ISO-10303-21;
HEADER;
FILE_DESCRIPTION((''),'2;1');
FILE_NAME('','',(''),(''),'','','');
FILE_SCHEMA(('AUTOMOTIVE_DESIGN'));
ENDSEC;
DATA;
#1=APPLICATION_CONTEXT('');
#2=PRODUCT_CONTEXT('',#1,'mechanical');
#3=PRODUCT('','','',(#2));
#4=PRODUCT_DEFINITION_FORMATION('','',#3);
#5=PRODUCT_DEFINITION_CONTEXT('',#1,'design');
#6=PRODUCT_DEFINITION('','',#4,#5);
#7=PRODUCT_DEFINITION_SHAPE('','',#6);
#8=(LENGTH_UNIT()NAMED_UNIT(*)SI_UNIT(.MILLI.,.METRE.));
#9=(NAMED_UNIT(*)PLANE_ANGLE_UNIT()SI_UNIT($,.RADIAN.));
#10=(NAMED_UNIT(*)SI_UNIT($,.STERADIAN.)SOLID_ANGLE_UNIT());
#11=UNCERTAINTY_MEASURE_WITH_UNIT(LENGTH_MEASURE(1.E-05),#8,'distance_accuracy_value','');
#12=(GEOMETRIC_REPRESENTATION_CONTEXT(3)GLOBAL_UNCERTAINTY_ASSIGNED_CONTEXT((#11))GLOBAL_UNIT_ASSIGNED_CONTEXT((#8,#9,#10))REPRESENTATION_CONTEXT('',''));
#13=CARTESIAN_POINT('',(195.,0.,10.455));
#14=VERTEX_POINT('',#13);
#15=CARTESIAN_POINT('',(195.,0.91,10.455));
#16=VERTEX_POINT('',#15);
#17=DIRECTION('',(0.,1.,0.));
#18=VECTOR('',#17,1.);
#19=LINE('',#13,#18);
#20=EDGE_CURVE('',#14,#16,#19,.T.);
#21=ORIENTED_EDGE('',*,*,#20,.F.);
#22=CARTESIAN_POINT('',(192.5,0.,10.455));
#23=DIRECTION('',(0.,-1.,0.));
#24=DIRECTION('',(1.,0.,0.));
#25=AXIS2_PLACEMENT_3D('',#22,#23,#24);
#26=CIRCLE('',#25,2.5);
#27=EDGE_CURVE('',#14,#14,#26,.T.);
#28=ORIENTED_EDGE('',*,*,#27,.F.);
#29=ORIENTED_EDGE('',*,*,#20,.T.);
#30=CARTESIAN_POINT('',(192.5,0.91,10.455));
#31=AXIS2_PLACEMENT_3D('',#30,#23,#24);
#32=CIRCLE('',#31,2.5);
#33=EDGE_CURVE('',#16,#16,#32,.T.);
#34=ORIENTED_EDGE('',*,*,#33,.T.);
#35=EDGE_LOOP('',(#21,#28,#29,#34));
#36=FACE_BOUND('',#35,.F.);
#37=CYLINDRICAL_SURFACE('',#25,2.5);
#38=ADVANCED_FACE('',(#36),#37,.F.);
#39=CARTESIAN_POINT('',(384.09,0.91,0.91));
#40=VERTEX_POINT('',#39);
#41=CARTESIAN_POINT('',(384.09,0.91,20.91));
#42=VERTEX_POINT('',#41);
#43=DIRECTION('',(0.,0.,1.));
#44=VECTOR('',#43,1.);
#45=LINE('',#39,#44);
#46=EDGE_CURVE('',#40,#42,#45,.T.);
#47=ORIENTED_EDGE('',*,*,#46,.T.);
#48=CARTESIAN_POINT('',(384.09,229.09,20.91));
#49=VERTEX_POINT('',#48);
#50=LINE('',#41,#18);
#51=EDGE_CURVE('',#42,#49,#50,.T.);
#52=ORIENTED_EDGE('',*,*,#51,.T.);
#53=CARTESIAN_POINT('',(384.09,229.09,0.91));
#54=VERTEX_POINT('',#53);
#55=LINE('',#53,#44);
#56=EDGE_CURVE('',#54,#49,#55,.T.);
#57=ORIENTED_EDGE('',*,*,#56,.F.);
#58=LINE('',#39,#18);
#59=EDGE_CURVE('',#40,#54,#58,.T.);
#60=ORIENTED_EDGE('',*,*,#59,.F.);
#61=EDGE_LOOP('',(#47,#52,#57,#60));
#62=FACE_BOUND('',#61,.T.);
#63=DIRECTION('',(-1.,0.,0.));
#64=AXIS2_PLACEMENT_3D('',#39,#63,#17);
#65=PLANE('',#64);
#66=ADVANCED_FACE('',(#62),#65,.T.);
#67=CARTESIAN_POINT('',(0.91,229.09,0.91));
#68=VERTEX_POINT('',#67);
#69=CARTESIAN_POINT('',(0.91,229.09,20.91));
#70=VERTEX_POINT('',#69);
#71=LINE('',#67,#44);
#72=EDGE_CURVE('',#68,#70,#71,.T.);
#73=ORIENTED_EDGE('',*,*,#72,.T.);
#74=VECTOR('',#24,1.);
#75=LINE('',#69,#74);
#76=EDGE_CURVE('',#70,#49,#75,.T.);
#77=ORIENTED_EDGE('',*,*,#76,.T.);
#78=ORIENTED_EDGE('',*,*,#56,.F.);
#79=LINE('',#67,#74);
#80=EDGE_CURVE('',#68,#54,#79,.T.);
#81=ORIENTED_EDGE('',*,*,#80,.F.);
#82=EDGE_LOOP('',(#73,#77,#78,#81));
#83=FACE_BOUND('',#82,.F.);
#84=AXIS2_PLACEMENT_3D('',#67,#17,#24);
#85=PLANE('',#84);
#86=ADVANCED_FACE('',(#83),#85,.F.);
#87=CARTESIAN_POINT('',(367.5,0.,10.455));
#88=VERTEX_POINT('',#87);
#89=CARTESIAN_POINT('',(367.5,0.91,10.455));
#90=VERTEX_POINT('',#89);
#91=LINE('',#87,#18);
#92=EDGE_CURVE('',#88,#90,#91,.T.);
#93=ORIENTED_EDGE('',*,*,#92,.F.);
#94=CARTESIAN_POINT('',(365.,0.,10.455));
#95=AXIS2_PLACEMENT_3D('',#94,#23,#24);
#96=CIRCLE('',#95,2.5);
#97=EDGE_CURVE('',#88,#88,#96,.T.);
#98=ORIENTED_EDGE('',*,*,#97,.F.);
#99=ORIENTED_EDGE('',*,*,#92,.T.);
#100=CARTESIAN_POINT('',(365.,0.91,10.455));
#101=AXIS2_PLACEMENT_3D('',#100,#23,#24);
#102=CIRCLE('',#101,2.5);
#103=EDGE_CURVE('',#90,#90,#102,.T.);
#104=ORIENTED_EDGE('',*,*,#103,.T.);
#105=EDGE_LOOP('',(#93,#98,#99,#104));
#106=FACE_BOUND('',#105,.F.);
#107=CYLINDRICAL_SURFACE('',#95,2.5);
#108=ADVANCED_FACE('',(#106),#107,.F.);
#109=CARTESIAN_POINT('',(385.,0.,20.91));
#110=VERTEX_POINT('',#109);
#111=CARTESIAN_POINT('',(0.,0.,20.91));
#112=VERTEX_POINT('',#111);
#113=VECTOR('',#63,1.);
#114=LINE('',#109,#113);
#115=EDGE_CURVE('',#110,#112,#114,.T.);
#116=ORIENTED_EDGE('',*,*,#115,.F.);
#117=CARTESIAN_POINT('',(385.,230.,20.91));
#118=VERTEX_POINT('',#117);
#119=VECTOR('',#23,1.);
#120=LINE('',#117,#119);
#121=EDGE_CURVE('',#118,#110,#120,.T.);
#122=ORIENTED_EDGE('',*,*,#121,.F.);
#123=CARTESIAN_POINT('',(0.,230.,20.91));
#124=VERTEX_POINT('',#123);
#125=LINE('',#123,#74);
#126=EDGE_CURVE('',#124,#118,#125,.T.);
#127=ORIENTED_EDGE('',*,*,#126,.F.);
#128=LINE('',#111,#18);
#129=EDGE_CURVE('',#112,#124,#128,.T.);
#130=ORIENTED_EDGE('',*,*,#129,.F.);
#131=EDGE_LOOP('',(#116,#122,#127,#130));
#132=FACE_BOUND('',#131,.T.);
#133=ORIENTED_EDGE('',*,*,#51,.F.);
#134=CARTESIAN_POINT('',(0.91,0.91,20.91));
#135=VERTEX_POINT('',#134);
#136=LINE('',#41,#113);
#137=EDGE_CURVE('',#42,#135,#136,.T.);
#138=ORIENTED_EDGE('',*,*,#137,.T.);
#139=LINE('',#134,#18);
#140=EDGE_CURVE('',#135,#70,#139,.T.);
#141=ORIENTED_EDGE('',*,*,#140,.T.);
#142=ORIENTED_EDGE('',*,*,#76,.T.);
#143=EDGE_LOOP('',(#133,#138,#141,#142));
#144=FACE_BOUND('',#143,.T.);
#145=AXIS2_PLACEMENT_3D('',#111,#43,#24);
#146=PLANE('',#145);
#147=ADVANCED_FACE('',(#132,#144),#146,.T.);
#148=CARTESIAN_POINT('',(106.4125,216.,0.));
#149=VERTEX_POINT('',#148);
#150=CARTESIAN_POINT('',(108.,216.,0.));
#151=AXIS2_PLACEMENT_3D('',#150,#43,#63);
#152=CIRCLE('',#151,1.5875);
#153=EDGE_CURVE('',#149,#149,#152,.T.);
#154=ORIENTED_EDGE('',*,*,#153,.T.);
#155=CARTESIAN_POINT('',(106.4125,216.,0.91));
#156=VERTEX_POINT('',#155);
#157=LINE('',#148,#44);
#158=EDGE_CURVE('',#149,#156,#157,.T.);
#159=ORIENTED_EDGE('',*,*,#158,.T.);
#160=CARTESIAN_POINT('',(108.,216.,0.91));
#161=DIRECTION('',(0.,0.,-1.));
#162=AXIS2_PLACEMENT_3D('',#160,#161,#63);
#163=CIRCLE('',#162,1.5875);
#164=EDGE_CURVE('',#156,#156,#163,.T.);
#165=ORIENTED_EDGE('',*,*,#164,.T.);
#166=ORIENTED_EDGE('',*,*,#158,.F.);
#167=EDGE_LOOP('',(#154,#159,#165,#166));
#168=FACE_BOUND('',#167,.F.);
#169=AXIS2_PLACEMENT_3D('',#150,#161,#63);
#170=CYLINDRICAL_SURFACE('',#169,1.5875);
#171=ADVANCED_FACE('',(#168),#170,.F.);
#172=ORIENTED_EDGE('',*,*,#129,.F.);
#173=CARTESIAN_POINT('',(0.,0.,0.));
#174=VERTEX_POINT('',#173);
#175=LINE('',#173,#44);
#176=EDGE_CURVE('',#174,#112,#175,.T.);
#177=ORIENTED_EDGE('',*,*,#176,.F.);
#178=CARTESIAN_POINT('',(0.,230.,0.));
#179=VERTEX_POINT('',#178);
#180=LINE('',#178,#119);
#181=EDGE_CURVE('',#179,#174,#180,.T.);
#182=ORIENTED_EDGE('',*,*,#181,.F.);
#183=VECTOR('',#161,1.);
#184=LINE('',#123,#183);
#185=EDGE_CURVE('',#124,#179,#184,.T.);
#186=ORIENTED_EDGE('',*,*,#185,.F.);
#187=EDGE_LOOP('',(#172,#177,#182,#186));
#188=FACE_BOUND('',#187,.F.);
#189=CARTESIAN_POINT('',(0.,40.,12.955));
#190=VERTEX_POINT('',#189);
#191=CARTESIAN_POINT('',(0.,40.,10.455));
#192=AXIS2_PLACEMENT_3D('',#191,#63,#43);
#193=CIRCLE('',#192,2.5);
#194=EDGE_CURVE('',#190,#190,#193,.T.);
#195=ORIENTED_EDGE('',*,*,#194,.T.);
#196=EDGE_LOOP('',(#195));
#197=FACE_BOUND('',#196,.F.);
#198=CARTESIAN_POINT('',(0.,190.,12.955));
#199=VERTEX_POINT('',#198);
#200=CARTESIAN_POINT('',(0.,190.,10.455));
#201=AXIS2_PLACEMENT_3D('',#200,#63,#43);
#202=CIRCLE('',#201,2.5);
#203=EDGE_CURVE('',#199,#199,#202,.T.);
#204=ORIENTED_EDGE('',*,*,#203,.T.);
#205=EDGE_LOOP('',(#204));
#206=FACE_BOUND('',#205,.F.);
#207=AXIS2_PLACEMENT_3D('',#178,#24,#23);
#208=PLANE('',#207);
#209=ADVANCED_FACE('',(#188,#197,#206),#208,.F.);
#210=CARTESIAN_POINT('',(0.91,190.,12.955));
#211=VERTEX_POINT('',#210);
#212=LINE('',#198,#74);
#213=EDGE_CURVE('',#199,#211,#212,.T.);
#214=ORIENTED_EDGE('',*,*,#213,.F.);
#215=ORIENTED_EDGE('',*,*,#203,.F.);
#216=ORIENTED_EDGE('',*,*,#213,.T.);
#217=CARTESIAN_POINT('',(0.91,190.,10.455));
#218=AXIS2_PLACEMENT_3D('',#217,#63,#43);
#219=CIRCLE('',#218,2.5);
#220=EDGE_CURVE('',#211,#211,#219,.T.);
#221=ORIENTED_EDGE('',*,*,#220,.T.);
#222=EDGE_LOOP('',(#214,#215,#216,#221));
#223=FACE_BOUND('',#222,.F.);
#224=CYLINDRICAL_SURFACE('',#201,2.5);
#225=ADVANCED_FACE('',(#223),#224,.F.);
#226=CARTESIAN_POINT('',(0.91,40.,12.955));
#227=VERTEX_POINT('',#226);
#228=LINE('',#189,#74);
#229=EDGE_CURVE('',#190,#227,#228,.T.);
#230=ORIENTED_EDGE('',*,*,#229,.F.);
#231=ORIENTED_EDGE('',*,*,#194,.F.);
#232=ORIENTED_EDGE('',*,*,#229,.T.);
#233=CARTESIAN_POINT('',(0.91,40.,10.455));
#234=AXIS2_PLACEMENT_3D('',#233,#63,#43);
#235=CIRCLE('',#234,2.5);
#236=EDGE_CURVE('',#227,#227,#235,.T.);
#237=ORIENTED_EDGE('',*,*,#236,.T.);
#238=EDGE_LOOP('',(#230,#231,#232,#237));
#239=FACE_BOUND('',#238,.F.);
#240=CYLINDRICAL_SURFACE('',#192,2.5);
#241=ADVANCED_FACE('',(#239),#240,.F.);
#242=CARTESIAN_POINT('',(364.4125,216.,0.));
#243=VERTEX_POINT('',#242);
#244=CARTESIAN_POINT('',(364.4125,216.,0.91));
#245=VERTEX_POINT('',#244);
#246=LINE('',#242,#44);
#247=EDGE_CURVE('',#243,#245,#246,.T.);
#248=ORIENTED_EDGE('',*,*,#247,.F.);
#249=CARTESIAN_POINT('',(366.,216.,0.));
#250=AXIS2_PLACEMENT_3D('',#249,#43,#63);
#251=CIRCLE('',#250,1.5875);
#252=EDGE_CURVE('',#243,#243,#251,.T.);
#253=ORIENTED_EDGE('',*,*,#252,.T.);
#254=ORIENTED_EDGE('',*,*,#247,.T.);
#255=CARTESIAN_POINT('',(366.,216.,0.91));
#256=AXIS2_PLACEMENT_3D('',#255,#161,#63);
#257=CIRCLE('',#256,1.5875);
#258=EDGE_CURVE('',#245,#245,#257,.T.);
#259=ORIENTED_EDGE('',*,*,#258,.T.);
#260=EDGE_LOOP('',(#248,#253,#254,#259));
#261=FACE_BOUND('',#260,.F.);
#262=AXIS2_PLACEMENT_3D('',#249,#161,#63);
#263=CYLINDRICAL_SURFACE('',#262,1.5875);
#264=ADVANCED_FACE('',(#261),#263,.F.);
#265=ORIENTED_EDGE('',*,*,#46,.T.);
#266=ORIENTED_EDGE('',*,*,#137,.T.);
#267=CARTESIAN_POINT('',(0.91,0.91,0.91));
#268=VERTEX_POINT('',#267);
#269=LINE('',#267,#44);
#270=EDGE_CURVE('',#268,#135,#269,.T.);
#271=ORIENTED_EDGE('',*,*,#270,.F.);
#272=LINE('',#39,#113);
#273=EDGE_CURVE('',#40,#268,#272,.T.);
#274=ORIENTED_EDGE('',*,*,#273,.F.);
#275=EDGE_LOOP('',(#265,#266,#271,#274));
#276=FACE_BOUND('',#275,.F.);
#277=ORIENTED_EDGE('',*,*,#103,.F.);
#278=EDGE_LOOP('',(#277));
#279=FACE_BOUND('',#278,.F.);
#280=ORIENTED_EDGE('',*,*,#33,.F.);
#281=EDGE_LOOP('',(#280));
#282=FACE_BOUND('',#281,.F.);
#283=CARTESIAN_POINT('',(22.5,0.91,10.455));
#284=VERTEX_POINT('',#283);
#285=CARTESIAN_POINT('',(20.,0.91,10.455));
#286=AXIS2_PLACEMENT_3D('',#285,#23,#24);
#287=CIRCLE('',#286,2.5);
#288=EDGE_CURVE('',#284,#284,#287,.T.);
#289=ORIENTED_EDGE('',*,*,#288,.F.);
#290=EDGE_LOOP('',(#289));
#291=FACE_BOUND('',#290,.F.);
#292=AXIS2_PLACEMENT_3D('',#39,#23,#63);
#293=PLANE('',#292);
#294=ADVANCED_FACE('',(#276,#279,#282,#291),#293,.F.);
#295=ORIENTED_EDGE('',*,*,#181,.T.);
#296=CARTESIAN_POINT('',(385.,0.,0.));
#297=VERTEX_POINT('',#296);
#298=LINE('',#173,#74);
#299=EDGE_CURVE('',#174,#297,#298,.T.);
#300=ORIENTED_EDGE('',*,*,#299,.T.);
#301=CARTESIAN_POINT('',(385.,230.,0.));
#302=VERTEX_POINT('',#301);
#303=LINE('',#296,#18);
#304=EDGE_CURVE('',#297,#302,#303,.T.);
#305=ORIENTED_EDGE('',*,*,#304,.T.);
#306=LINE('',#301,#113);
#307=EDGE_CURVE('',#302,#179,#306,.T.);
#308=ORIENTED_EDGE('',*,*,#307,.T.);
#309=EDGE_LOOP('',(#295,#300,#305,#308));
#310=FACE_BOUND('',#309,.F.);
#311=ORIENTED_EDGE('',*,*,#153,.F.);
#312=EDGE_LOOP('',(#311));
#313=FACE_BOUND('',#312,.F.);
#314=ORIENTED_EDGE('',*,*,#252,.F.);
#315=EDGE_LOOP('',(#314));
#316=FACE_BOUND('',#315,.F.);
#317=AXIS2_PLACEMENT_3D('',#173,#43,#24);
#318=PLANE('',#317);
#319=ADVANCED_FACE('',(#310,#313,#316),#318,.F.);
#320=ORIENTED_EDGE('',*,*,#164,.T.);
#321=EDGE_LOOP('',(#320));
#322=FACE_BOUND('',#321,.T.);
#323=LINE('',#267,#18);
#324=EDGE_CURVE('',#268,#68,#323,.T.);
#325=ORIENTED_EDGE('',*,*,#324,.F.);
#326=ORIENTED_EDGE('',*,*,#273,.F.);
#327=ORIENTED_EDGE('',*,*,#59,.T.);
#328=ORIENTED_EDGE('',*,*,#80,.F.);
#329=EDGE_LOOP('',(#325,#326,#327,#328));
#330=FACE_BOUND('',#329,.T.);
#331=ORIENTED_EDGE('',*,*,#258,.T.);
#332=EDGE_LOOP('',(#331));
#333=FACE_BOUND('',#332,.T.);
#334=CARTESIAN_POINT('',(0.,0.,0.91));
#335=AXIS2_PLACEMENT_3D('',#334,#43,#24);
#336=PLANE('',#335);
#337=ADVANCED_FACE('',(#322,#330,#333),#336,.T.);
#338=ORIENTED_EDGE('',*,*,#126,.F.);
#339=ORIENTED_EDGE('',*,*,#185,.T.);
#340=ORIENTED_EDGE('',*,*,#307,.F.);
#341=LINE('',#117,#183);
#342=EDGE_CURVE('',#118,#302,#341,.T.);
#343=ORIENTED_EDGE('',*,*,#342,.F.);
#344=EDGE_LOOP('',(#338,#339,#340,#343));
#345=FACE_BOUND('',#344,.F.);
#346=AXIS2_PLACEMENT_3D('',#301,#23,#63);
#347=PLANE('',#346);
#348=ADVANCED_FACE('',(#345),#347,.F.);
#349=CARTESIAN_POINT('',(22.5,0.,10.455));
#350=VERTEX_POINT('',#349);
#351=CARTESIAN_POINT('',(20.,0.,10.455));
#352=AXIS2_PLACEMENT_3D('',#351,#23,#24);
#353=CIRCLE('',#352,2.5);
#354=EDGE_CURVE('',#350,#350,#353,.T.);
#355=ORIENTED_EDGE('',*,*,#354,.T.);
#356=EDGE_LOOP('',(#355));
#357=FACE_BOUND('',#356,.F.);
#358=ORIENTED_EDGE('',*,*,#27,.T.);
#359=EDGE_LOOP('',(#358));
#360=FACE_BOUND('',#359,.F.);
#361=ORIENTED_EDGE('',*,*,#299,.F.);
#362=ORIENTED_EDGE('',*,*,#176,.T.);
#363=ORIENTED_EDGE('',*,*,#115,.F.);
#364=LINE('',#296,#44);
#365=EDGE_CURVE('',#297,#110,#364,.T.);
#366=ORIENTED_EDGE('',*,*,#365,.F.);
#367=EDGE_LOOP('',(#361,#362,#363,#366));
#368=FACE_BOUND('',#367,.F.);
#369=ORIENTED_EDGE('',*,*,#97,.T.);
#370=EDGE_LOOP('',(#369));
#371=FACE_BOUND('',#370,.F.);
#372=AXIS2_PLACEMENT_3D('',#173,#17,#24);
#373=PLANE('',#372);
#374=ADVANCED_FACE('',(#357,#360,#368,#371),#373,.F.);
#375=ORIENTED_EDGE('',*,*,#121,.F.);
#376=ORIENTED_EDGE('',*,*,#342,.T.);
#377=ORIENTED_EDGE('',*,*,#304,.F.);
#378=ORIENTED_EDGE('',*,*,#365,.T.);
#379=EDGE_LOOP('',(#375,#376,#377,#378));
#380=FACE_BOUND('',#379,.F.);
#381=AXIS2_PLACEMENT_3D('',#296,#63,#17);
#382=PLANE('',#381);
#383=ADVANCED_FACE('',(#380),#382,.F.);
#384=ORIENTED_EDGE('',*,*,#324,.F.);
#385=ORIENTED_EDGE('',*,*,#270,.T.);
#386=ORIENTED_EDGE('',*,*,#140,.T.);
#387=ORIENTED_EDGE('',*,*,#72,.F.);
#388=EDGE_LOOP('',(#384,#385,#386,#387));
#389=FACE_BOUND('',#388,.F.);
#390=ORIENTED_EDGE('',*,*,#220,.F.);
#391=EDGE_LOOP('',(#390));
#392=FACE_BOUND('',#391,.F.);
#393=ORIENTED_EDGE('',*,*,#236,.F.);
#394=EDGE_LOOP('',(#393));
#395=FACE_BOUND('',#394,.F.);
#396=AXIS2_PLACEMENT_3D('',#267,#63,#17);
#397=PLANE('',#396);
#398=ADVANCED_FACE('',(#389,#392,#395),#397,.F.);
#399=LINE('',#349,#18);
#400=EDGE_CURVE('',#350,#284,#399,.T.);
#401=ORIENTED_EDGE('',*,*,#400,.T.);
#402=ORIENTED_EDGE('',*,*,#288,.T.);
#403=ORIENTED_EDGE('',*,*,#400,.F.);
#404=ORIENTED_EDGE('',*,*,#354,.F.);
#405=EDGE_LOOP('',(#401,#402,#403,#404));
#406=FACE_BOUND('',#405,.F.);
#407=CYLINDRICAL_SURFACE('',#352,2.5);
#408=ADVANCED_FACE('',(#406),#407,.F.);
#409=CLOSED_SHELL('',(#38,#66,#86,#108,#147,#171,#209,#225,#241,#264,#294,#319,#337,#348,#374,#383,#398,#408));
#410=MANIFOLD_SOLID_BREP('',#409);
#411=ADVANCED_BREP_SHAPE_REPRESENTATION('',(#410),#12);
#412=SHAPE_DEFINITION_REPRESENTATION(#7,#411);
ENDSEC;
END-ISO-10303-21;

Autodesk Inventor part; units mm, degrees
ref_plane "YZ Plane" through (0, 0, 0) normal (1, 0, 0) x (0, 1, 0)
sketch "Boceto1" plane through (0, 0, 0) normal (0, 0, 1) x (1, 0, 0)
  line L0 (0, 0) -> (385, 0)
  line L1 (385, 0) -> (385, 230)
  line L2 (385, 230) -> (0, 230)
  line L3 (0, 230) -> (0, 0)
  dimension "d0" = 385
  dimension "d1" = 230
extrude "Extrusión1" add sketch "Boceto1" along normal blind 0.91
sketch "Boceto2" plane through (0, 0, 0.91) normal (0, 0, 1) x (1, 0, 0)
  line L0 (385, 230) -> (0, 230) projected
  line L1 (0, 0) -> (0.76, 0)
  line L2 (0.91, 0.91) -> (0.91, 229.09)
  line L3 (0.91, 230) -> (0, 230)
  line L4 (0, 230) -> (0, 0)
  line L5 (0, 230) -> (0, 0) projected
  line L6 (385, 0) -> (385, 230) projected
  line L7 (0, 0) -> (385, 0)
  line L8 (385, 0) -> (385, 0.91)
  line L9 (384.09, 0.91) -> (0.91, 0.91)
  line L10 (0, 0.76) -> (0, 0)
  line L11 (0, 0) -> (385, 0) projected
  line L12 (385, 0) -> (384.24, 0)
  line L13 (384.09, 0.91) -> (384.09, 229.09)
  line L14 (384.09, 230) -> (385, 230)
  line L15 (385, 230) -> (385, 0)
  line L16 (385, 230) -> (0, 230)
  line L17 (0, 230) -> (0, 229.09)
  line L18 (0.91, 229.09) -> (384.09, 229.09)
  line L19 (385, 229.24) -> (385, 230)
  dimension "d36" = 0.91
  dimension "d37" = 0.91
  dimension "d38" = 0.91
  dimension "d39" = 0.91
extrude "Extrusión2" add sketch "Boceto2" along normal blind 20
sketch "Boceto3" plane through (0, 0, 0) normal (0, 0, -1) x (-1, 0, 0)
  line L0 (-384.09, 0.91) -> (-384.09, 229.09) projected
  line L1 (-0.91, 0.91) -> (-384.09, 0.91) projected
  line L2 (-365.39, 0.91) -> (-351.39, 0.91) construction
  circle A0 centre (-365.24, 14.76) radius 1
  line L3 (-385, 230) -> (-366, 230)
  line L4 (-385, 230) -> (0, 230) projected
  line L5 (-366, 230) -> (-366, 216)
  circle A1 centre (-366, 216) radius 1.5875
  line L6 (-366, 216) -> (-108, 216)
  circle A2 centre (-108, 216) radius 1.5875
  point P0 (0, 0)
  dimension "d14" = 19
  dimension "d15" = 14
  dimension "d16" = 90
  dimension "d17" = 3.175
  dimension "d18" = 258
  dimension "d19" = 3.175
extrude "Extrusión3" cut sketch "Boceto3" against normal through all contours A1 L6 L5 | A2 | L5 L6 A1
sketch "Boceto4" plane through (0, 0, 0) normal (0, -1, 0) x (1, 0, 0)
  line L0 (0, 0) -> (0, 20.91) construction
  line L1 (385, 0) -> (385, 20.91) construction
  line L2 (0, 10.455) -> (20, 10.455) construction
  circle A0 centre (20, 10.455) radius 2.5
  circle A1 centre (192.5, 10.455) radius 2.5
  circle A2 centre (365, 10.455) radius 2.5
  line L3 (384.09, 20.91) -> (0.91, 20.91) projected
  dimension "d25" = 5
  dimension "d26" = 5
  dimension "d27" = 5
  dimension "d41" = 20
  dimension "d42" = 20
ref_plane "Plano de trabajo1" through (1.52, 1.52, 0.76) normal (0, 1, 0) x (0, 0, 1)
extrude "Extrusión4" cut sketch "Boceto4" against normal up to surface (1.52 mm away)
sketch "Boceto5" plane through (0, 0, 0) normal (-1, 0, 0) x (0, 0, 1)
  line L0 (0, 0) -> (20.91, 0) construction
  line L1 (10.455, 0) -> (10.455, 230) construction
  line L2 (0, 230) -> (20.91, 230) construction
  line L3 (10.455, 0) -> (10.455, 40) construction
  line L4 (10.455, 230) -> (10.455, 190) construction
  circle A0 centre (10.455, 40) radius 2.5
  circle A1 centre (10.455, 190) radius 2.5
  dimension "d30" = 40
  dimension "d31" = 40
  dimension "d32" = 5
  dimension "d33" = 5
ref_plane "Plano de trabajo2" through (1.52, 1.52, 0.76) normal (1, 0, 0) x (0, 1, 0)
extrude "Extrusión5" cut sketch "Boceto5" against normal up to surface (1.52 mm away)
equation "\"d25\" = d27"
equation "\"d26\" = d27"
equation "\"d41\" = d42"
equation "\"d30\" = d31"
equation "\"d32\" = d33"
properties part number "Tapa_superior_derecha" material "Acero AISI 1006 85 LC"
